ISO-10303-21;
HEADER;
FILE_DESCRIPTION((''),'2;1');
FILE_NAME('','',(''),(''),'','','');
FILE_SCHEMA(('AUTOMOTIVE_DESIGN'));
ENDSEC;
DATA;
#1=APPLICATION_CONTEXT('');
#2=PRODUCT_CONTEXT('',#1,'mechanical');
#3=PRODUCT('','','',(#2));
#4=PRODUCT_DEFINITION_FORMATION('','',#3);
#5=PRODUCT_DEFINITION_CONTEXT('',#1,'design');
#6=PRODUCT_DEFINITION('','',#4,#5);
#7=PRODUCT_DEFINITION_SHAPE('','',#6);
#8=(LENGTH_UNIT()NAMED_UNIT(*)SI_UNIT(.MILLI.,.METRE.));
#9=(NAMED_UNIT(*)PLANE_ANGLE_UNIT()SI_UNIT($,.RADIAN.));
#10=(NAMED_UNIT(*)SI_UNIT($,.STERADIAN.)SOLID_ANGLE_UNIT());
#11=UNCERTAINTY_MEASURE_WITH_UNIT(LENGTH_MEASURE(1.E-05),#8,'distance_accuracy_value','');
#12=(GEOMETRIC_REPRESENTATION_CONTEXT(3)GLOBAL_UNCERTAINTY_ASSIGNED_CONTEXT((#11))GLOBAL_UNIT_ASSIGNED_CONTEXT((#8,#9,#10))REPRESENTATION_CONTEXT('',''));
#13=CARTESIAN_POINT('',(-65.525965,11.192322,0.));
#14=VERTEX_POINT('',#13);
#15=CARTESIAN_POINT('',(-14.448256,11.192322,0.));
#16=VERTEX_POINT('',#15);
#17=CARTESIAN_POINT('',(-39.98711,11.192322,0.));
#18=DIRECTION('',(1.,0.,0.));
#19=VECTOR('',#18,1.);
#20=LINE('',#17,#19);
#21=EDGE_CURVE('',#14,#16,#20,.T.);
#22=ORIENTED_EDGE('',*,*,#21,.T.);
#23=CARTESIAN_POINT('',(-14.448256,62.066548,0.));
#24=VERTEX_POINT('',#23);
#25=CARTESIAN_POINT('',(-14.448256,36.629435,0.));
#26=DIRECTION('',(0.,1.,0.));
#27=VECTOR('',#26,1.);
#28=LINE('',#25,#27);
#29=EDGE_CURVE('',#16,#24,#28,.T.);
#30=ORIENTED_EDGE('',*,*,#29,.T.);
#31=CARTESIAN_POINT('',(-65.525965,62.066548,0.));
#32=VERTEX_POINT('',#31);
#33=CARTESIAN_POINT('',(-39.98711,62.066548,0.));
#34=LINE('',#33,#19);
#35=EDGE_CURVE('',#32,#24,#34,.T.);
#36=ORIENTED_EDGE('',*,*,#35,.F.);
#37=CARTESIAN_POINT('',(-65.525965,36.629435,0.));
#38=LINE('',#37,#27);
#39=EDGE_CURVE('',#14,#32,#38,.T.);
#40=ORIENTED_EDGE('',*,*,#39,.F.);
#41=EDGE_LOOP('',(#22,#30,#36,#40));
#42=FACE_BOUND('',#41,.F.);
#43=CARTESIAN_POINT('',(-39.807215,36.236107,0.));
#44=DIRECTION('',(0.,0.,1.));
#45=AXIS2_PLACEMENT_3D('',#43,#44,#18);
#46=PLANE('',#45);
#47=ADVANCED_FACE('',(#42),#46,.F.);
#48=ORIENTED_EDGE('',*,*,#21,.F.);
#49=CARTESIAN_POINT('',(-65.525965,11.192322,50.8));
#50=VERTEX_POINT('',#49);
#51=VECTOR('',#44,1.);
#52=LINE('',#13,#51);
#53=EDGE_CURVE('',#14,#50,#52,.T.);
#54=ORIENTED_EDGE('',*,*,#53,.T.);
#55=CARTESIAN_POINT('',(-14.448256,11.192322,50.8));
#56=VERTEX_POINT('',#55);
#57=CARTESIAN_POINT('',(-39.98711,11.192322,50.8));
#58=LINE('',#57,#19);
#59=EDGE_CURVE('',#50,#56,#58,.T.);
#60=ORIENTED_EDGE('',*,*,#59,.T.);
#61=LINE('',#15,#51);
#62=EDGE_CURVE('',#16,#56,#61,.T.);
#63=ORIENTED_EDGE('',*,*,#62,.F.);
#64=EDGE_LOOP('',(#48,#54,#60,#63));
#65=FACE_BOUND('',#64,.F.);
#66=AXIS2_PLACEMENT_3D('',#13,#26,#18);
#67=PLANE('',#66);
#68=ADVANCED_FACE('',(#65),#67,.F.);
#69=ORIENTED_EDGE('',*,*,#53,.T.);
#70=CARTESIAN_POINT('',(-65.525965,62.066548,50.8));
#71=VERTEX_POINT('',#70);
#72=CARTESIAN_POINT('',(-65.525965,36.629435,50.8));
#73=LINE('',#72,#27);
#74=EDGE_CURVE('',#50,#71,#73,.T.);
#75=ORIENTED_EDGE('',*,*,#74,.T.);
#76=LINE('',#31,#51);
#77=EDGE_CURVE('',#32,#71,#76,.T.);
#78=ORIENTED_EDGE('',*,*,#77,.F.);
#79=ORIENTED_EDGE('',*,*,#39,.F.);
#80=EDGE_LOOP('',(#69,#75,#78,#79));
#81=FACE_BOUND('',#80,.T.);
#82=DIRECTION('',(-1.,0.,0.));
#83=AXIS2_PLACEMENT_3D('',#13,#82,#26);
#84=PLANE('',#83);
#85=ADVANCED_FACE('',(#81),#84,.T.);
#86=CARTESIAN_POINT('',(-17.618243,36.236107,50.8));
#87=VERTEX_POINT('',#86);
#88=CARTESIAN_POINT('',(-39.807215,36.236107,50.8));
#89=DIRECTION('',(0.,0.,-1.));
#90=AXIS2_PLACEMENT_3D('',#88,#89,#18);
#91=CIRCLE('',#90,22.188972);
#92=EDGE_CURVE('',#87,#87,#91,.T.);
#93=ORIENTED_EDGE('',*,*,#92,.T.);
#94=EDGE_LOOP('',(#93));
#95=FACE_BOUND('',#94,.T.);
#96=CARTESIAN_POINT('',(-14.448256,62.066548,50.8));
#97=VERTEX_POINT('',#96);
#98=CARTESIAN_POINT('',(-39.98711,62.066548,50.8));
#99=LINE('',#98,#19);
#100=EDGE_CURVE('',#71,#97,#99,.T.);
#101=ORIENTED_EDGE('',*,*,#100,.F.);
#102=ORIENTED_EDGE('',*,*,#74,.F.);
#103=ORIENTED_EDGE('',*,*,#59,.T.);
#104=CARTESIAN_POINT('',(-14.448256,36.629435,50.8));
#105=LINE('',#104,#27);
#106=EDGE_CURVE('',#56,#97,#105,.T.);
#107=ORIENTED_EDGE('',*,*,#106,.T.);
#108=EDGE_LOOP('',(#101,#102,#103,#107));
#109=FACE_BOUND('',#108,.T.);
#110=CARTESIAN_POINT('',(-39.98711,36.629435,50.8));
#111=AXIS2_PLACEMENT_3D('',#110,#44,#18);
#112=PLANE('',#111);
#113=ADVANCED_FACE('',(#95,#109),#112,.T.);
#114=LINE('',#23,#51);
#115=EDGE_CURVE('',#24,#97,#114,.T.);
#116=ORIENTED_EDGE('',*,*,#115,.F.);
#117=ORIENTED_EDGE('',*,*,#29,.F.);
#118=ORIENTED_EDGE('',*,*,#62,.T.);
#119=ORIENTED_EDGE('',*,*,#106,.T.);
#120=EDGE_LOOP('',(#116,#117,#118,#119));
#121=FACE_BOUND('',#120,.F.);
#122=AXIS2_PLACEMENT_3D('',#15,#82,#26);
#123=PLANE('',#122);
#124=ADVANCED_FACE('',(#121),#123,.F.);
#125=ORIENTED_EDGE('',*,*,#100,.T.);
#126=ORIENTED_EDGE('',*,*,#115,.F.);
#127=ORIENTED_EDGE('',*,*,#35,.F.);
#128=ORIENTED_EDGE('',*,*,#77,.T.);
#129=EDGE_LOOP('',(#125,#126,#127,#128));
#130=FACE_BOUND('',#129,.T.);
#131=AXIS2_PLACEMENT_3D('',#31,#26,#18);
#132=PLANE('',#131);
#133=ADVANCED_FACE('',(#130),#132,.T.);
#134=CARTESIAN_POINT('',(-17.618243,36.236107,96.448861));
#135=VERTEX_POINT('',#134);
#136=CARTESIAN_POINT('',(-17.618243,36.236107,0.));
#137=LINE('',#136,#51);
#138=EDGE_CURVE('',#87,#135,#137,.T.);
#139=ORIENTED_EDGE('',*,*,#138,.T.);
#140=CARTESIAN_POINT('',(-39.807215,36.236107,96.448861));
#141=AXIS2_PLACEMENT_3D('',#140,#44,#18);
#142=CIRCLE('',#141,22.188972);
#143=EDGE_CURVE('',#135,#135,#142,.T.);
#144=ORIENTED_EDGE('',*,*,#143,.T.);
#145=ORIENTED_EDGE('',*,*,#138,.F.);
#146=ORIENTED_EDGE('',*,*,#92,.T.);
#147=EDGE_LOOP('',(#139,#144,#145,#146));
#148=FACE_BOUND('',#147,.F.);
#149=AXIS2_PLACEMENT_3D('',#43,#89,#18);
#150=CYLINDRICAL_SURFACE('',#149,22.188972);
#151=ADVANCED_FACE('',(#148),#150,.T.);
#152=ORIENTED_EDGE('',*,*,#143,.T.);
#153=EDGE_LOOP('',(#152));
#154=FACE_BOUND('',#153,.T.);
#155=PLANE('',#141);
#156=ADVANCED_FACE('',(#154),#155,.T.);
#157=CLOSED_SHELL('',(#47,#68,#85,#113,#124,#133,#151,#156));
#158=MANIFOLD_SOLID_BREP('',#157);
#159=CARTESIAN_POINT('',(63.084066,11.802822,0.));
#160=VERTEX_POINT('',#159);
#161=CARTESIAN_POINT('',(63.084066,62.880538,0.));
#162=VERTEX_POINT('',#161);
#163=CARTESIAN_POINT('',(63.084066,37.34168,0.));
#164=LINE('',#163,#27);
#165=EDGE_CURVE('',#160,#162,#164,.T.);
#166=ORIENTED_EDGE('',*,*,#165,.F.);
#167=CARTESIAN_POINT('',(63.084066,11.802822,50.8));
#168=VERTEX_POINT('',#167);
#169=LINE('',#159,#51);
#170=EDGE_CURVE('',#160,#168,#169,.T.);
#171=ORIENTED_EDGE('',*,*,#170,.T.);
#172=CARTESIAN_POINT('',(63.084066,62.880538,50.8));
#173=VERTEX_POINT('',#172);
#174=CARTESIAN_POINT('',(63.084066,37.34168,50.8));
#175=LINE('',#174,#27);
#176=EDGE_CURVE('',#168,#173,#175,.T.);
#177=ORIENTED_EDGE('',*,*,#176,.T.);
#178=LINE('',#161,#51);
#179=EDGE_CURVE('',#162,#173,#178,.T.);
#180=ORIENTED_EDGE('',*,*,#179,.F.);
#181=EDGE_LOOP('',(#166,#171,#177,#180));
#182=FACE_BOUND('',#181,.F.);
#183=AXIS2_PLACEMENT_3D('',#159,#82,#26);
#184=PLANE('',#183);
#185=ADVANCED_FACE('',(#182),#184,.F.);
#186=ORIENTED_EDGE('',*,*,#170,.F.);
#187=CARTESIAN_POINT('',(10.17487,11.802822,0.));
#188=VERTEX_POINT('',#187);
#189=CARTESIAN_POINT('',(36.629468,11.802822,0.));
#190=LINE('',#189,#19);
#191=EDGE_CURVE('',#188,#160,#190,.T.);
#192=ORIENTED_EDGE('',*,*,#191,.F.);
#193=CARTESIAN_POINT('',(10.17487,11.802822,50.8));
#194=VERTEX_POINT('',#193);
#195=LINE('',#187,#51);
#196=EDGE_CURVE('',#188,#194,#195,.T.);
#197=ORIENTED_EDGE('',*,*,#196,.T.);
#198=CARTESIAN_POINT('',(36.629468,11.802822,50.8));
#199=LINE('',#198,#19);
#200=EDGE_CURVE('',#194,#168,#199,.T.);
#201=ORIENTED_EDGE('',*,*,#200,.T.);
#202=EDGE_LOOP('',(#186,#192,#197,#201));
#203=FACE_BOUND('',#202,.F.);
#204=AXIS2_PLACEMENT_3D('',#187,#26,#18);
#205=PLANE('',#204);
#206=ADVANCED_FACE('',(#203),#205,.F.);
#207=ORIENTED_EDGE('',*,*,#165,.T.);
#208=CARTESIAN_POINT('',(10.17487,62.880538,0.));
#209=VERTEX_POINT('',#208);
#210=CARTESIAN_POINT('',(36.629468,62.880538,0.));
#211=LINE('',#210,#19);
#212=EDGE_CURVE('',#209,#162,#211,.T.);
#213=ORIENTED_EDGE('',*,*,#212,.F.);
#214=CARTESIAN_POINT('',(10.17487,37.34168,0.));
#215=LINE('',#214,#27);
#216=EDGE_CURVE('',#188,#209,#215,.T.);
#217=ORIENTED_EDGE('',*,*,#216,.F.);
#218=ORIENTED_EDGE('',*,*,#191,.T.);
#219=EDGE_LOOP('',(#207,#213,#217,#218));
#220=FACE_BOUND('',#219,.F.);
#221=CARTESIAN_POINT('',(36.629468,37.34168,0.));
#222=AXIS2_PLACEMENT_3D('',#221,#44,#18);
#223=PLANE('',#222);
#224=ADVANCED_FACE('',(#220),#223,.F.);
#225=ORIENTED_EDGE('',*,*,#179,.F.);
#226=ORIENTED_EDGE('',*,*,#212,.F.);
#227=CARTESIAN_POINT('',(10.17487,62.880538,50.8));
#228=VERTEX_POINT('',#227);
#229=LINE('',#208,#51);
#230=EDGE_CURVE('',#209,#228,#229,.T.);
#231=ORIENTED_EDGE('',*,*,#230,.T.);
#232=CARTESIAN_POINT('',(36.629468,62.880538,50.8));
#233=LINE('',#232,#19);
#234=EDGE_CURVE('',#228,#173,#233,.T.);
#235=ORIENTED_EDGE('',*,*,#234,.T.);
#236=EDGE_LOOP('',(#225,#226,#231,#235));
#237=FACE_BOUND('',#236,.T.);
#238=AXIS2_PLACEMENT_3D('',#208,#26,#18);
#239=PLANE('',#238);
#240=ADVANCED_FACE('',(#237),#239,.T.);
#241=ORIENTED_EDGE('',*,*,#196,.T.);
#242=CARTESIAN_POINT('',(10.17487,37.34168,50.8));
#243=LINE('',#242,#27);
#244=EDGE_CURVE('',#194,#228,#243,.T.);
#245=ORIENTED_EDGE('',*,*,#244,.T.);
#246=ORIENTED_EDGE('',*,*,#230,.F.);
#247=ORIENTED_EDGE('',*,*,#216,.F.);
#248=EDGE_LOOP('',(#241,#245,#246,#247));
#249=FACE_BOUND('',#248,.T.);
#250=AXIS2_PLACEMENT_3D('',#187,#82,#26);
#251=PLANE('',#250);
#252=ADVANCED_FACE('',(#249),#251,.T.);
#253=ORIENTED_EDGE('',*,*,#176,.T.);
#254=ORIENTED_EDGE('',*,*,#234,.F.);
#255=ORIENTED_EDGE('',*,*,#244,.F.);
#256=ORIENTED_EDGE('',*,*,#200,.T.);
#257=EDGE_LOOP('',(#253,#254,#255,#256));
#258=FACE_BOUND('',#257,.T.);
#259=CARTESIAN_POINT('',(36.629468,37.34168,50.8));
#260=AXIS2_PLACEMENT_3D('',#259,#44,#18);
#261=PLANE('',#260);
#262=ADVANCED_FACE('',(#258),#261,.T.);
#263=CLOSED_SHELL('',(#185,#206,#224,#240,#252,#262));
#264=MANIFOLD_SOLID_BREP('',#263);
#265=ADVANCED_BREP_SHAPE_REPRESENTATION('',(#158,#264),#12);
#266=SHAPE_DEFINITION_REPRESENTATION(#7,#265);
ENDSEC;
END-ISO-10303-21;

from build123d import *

# Parameters (mm, degrees)
F1_W     = 51.077709
F1_H     = 50.874226
F3_DEPTH = 50.8
F2_R     = 22.188972
F4_DEPTH = 96.448861
F0_W     = 52.909196
F0_H     = 51.077716
F5_DEPTH = 50.8


with BuildPart() as f3:
    # F1 (on Top) → F3 (new body)
    with BuildSketch(Plane.XY):
        with Locations((-39.98711, 36.629435)):
            Rectangle(F1_W, F1_H)
    extrude(amount=F3_DEPTH)

    # F2 (on face) → F4 (join)
    with BuildSketch(Plane.XY):
        with Locations((-39.807215, 36.236107)):
            Circle(F2_R)
    extrude(amount=F4_DEPTH)


with BuildPart() as f5:
    # F0 (on Top) → F5 (new body)
    with BuildSketch(Plane.XY):
        with Locations((36.629468, 37.34168)):
            Rectangle(F0_W, F0_H)
    extrude(amount=F5_DEPTH)


solid = Compound([f3.part, f5.part])
